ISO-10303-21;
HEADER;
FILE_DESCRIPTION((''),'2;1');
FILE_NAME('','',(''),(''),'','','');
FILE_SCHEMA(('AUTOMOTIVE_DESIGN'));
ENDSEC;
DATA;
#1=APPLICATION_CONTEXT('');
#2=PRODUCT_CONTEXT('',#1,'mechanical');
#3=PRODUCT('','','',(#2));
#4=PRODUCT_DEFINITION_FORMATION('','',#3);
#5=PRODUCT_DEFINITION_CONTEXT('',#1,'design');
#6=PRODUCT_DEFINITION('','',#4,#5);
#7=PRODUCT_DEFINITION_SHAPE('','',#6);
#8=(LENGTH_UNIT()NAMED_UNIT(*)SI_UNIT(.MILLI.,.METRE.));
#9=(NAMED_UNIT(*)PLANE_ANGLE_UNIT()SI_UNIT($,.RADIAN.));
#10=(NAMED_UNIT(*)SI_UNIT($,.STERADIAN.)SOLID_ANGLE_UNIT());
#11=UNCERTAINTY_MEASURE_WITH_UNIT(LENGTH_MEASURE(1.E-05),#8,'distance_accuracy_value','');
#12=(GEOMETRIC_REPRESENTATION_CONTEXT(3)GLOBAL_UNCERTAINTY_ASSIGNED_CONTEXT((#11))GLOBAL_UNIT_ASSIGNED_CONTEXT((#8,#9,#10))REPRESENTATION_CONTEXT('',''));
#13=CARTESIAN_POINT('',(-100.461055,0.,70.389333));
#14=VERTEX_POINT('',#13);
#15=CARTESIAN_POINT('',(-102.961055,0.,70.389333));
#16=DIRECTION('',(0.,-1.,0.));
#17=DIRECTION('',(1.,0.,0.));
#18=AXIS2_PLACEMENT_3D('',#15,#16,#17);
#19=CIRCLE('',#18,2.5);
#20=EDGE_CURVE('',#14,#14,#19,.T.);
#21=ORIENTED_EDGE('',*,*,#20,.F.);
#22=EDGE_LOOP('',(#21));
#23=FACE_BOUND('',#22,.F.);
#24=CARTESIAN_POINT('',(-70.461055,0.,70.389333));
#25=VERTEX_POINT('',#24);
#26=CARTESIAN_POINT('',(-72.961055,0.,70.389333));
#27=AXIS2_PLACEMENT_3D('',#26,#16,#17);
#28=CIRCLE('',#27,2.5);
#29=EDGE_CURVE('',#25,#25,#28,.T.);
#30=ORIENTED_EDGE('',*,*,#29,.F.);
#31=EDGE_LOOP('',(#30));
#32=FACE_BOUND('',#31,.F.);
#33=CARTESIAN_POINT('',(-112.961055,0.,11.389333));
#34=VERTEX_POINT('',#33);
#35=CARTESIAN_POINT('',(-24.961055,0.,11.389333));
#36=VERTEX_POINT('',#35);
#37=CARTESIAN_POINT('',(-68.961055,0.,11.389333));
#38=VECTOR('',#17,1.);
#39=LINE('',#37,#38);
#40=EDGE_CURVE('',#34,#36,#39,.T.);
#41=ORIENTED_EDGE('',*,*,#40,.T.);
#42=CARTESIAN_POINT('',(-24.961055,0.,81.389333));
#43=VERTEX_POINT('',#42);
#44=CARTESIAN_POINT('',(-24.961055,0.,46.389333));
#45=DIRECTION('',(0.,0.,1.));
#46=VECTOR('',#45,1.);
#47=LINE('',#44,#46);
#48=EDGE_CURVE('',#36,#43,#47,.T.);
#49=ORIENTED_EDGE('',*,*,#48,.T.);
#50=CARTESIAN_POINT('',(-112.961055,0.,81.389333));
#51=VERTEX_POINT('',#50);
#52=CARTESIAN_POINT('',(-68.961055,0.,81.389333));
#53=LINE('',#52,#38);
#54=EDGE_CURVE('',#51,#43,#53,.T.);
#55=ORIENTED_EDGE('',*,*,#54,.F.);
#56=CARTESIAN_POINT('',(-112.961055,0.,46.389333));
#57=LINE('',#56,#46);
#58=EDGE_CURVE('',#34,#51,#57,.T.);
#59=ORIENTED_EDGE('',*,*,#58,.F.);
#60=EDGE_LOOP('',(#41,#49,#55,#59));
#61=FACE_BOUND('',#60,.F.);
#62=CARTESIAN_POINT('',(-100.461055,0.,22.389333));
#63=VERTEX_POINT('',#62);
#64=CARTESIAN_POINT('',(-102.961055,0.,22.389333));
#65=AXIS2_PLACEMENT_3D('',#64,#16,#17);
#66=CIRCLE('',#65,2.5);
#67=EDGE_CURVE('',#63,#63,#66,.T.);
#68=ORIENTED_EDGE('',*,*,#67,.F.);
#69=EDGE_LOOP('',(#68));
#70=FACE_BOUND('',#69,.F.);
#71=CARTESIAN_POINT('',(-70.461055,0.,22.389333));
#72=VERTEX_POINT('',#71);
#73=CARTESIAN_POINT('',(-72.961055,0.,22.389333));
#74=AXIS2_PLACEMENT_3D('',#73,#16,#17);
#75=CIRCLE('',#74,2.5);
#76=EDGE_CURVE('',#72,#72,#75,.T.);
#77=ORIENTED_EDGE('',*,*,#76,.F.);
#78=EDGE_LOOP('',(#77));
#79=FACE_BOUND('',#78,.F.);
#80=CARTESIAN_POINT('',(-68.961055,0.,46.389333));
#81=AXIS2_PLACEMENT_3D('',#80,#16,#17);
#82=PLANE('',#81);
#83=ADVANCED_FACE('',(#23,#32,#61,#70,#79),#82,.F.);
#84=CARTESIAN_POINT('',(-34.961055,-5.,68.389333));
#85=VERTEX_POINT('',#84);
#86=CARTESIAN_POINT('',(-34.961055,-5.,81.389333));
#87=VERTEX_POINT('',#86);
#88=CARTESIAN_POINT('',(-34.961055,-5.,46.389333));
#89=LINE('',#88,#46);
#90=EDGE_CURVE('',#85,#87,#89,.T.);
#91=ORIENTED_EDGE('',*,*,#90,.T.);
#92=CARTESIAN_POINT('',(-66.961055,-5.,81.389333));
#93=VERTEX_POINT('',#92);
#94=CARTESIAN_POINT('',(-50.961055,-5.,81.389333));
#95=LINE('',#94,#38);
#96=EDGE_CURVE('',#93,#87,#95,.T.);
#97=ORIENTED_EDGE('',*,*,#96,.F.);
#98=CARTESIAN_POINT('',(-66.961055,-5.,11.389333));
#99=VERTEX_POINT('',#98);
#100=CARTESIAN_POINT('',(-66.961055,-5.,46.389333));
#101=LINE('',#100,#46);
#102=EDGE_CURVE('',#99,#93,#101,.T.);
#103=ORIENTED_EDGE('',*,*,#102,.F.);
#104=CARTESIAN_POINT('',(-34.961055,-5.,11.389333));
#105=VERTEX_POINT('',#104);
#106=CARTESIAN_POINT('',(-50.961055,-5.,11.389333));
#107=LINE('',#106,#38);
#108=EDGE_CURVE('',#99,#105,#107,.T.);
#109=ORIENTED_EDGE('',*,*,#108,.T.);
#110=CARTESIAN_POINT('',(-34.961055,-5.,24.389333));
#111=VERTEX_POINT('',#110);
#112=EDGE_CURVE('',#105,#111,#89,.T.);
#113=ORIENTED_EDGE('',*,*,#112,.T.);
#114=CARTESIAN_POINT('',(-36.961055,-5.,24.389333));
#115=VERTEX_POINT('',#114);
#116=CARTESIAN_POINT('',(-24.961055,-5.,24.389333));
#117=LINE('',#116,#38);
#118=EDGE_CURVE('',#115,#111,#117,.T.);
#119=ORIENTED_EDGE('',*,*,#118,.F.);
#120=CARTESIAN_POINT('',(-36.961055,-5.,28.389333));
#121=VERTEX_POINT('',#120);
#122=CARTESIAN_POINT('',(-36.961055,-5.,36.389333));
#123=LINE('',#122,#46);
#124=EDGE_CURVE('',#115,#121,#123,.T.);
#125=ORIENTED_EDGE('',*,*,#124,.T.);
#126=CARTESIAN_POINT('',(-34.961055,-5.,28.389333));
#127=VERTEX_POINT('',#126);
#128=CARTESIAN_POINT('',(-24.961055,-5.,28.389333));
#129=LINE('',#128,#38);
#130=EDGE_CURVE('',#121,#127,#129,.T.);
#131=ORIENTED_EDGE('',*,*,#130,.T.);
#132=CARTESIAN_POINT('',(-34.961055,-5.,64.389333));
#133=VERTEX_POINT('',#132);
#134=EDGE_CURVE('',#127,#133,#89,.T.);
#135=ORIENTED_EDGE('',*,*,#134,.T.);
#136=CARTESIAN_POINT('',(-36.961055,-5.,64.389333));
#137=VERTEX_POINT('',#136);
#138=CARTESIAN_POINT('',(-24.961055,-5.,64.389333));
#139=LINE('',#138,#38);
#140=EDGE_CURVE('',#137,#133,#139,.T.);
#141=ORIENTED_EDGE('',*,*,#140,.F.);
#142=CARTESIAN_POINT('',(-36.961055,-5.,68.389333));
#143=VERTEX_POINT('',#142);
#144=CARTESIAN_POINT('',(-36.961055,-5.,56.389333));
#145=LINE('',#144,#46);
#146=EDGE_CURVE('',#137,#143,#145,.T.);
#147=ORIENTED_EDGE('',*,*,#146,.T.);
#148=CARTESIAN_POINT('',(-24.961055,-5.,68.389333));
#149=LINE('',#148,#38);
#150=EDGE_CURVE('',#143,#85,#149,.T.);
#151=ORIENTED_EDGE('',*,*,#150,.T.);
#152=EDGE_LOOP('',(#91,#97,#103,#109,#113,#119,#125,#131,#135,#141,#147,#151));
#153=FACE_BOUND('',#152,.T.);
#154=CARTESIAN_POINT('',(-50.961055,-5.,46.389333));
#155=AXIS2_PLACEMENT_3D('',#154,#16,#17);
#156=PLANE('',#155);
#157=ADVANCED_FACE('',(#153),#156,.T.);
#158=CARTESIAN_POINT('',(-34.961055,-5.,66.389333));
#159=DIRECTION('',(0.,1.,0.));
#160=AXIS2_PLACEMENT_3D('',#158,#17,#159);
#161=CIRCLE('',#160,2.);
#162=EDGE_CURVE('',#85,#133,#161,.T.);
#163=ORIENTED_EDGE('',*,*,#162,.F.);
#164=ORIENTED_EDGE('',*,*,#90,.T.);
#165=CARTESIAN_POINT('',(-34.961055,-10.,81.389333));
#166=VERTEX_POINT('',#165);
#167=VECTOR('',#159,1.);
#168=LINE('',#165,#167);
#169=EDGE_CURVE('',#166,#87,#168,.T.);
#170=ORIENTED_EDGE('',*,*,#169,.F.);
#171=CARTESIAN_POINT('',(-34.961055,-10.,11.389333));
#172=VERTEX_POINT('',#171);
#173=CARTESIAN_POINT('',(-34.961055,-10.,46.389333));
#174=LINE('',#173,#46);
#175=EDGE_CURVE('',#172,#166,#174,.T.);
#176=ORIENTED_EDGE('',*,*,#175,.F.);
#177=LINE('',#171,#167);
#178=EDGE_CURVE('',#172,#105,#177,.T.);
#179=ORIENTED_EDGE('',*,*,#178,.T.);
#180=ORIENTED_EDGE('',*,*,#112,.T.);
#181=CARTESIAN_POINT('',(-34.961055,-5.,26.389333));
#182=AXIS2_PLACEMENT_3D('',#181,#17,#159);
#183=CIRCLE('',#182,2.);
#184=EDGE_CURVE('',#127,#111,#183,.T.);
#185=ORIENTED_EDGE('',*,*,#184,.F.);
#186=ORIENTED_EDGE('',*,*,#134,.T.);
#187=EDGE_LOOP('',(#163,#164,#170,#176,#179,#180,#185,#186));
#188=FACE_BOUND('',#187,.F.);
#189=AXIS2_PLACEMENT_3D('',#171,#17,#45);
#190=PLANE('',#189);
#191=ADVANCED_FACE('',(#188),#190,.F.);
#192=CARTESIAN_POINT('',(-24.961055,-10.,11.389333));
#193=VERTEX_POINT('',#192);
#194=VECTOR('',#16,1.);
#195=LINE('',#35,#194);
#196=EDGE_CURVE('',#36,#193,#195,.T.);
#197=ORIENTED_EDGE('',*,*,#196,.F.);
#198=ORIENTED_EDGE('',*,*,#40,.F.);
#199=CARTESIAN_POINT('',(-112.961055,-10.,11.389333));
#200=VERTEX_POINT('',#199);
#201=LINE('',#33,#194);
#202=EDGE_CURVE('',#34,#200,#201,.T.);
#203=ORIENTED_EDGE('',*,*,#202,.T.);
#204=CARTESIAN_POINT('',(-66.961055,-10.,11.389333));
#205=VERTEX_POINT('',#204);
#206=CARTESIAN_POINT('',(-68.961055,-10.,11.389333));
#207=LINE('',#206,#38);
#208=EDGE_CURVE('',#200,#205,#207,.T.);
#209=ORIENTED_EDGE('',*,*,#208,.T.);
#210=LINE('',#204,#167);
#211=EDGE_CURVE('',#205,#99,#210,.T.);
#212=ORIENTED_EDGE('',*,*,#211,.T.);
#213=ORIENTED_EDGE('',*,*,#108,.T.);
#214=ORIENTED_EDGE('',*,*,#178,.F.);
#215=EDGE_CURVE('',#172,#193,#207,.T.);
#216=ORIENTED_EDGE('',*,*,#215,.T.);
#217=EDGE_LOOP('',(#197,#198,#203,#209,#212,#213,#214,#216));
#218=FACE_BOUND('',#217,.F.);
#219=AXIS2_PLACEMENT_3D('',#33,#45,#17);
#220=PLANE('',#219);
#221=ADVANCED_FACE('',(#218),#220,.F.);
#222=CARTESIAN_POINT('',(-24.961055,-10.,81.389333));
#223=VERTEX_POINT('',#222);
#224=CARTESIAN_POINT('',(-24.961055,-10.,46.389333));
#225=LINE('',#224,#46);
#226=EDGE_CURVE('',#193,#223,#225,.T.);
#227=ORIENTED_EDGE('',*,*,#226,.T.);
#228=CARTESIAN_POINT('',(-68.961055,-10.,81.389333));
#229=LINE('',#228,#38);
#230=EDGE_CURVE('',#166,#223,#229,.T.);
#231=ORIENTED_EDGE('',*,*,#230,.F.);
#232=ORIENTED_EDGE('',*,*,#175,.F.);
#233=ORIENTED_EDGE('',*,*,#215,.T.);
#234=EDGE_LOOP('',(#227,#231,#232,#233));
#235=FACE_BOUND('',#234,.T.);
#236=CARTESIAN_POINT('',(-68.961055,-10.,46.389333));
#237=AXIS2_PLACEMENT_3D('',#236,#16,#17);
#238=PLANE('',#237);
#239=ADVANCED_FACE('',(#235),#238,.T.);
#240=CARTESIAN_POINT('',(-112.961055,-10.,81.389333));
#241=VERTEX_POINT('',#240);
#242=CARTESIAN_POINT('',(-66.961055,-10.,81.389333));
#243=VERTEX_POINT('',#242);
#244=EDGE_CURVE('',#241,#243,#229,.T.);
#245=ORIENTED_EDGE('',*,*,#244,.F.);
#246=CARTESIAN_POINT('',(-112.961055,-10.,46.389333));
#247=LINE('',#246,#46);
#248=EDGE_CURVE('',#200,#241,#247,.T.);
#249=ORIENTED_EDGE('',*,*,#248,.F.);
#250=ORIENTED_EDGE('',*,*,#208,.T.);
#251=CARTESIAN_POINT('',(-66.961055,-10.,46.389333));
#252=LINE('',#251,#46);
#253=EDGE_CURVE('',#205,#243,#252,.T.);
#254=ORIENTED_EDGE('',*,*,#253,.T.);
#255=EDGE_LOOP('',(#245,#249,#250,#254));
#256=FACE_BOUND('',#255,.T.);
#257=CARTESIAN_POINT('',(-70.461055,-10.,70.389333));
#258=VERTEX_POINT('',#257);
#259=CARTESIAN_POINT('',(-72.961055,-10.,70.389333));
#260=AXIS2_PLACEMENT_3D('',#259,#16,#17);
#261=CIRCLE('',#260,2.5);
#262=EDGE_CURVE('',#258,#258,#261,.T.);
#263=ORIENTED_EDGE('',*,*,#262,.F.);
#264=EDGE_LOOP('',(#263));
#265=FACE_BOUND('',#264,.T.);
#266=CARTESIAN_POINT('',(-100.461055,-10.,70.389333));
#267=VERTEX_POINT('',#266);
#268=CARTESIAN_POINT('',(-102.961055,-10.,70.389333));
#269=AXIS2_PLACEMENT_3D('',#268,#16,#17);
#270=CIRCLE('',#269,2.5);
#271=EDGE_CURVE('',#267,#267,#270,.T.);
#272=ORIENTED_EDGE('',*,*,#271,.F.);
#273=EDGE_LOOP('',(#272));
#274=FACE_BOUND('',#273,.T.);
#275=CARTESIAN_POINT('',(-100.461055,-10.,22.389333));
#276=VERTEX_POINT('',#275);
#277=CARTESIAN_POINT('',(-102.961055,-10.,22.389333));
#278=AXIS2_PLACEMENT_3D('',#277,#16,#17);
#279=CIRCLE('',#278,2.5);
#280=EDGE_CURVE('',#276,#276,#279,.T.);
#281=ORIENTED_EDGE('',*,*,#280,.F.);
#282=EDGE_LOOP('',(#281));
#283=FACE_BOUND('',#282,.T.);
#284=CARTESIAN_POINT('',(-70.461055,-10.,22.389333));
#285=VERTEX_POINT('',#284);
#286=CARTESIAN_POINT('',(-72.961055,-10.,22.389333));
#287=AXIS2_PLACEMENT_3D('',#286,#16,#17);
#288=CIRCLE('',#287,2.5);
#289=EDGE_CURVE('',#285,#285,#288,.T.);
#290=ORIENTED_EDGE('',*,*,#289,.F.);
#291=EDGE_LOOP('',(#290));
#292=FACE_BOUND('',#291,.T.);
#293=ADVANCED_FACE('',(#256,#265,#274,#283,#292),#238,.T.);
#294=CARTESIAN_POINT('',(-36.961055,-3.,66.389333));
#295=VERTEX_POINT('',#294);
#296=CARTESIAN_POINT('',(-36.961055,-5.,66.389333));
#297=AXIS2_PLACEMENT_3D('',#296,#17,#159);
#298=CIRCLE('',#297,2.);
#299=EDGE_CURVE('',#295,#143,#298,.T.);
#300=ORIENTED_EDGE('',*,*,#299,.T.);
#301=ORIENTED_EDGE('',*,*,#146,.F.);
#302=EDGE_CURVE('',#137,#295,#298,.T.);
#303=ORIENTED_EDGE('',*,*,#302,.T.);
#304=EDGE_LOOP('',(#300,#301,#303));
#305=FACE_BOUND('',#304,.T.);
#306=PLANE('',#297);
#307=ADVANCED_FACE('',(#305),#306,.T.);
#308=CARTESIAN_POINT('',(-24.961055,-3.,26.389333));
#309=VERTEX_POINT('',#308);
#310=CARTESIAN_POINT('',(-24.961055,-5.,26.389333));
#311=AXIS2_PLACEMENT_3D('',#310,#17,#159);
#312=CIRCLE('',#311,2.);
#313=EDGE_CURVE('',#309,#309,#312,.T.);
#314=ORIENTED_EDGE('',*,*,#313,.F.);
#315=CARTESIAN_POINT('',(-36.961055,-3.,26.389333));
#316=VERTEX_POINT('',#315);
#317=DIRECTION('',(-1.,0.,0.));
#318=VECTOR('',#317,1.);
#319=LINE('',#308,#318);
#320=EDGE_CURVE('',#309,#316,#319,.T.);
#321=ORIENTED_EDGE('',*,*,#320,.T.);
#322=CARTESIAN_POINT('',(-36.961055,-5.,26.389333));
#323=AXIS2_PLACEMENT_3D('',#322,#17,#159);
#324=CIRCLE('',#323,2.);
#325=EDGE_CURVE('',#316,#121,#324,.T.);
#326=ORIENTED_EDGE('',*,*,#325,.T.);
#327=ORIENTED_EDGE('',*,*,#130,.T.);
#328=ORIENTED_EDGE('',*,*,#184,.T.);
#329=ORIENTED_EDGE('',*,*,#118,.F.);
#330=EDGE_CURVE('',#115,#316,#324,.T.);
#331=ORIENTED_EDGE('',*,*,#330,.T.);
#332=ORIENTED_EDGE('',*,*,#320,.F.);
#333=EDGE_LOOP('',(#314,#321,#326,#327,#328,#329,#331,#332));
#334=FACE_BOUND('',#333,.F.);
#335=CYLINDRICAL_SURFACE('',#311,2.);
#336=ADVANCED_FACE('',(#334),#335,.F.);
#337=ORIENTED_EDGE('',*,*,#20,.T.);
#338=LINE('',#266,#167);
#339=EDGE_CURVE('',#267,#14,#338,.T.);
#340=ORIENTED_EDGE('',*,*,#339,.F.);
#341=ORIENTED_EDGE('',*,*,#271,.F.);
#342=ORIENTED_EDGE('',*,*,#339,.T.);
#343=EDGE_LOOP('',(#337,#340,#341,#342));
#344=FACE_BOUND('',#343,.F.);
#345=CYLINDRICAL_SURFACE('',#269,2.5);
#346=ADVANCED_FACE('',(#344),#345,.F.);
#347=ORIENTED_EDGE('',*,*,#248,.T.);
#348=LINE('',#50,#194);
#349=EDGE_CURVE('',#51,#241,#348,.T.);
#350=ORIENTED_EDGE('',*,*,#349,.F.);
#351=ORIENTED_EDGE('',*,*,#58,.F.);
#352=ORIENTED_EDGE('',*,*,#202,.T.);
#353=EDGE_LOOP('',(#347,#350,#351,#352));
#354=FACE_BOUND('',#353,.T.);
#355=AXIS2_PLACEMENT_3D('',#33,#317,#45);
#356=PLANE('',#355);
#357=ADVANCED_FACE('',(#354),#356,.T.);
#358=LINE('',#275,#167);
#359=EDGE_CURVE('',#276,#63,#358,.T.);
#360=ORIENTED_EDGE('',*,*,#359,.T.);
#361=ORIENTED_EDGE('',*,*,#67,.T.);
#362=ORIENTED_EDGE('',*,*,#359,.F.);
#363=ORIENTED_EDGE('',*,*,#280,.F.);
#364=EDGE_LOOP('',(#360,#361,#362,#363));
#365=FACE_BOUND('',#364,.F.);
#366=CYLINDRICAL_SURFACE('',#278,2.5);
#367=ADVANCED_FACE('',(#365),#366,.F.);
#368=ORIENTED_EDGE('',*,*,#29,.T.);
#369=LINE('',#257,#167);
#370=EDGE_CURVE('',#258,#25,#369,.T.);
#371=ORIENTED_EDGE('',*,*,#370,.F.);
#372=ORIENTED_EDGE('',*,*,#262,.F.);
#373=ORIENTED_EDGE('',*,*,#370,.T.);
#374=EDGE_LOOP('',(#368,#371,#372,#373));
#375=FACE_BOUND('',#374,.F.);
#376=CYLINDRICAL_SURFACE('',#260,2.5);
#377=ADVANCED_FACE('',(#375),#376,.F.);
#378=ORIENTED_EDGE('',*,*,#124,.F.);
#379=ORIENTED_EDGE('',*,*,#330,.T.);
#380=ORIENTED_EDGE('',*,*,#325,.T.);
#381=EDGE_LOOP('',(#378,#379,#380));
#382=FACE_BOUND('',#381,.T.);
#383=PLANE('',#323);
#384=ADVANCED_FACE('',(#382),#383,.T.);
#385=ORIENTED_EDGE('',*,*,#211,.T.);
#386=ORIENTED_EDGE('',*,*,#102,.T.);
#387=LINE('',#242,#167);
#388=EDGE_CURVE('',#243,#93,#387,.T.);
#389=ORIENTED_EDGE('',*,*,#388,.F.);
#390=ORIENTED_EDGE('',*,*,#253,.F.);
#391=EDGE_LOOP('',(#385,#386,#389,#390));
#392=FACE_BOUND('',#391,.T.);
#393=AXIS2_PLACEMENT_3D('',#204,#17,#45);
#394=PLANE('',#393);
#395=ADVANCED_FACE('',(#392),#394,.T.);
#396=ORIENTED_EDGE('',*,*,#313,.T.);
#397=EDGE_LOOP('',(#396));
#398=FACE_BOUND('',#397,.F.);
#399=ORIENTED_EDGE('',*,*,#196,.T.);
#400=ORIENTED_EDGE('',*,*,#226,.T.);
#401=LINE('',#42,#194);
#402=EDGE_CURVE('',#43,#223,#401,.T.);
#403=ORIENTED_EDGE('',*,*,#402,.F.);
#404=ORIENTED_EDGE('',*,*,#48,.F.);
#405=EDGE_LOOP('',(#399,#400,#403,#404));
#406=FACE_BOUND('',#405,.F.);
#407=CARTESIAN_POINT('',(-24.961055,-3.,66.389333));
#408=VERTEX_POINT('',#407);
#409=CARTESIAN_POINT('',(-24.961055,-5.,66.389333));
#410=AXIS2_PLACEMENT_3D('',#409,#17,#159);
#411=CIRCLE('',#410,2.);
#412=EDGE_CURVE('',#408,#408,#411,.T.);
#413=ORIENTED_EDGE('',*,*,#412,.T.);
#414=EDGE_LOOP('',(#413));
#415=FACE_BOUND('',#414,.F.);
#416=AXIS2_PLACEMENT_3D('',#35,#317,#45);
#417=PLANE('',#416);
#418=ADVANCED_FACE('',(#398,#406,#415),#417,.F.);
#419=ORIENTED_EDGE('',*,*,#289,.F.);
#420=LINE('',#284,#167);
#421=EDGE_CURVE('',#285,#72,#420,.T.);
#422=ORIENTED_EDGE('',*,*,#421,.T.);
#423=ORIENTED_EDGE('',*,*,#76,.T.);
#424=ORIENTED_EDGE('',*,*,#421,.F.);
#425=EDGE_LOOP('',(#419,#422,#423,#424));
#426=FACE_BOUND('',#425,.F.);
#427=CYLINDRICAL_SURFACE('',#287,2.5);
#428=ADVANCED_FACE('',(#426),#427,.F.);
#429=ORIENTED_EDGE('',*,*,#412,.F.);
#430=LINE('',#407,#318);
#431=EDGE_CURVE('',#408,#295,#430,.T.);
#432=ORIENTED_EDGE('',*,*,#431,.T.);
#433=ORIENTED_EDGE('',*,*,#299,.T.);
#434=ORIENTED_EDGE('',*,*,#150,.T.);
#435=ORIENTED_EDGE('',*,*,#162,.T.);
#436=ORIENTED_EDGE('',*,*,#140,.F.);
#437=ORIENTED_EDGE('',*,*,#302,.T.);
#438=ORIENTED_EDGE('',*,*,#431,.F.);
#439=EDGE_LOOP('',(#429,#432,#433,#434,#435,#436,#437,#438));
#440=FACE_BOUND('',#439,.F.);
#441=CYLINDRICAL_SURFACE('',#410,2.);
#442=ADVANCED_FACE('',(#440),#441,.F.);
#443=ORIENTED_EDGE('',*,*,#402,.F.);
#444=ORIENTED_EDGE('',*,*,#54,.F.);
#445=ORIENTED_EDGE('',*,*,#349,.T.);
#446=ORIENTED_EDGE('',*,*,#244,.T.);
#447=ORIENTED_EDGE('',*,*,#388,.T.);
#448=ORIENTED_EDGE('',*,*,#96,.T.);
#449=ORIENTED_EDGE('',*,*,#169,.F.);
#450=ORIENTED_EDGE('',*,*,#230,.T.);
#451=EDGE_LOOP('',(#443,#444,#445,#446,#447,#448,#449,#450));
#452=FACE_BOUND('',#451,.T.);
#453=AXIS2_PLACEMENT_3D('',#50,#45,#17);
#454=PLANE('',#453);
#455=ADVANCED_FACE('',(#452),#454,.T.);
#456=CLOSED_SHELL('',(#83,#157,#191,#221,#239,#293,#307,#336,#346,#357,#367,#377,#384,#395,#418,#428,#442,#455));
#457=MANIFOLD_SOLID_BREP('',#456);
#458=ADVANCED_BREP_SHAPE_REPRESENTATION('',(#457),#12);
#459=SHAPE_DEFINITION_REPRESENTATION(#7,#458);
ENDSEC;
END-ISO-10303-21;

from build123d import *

# Parameters (mm, degrees)
F0_W     = 88
F0_H     = 70
F1_DEPTH = 10
F2_W     = 32
F2_H     = 70
F3_DEPTH = 5
F2_R     = 2.5
F4_DEPTH = 10.001
F5_R     = 2
F6_DEPTH = 12


with BuildPart() as f1:
    # F0 (on Front) → F1 (new body)
    with BuildSketch(Plane.XZ):
        with Locations((-68.961055, 46.389333)):
            Rectangle(F0_W, F0_H)
    extrude(amount=F1_DEPTH)

    # F2 (on face) → F3 (cut)
    with BuildSketch(Plane.XZ.offset(10)):
        with Locations((-50.961055, 46.389333)):
            Rectangle(F2_W, F2_H)
    extrude(amount=-F3_DEPTH, mode=Mode.SUBTRACT)

    # F2 (on face) → F4 (cut, through all)
    with BuildSketch(Plane.XZ.offset(10)):
        with Locations((-102.961055, 70.389333)):
            Circle(F2_R)
        with Locations((-72.961055, 70.389333)):
            Circle(F2_R)
        with Locations((-102.961055, 22.389333)):
            Circle(F2_R)
        with Locations((-72.961055, 22.389333)):
            Circle(F2_R)
    extrude(amount=-F4_DEPTH, mode=Mode.SUBTRACT)

    # F5 (on face) → F6 (cut)
    with BuildSketch(Plane.YZ.offset(-24.961055)):
        with Locations((-5, 26.389333)):
            Circle(F5_R)
        with Locations((-5, 66.389333)):
            Circle(F5_R)
    extrude(amount=-F6_DEPTH, mode=Mode.SUBTRACT)


solid = f1.part
